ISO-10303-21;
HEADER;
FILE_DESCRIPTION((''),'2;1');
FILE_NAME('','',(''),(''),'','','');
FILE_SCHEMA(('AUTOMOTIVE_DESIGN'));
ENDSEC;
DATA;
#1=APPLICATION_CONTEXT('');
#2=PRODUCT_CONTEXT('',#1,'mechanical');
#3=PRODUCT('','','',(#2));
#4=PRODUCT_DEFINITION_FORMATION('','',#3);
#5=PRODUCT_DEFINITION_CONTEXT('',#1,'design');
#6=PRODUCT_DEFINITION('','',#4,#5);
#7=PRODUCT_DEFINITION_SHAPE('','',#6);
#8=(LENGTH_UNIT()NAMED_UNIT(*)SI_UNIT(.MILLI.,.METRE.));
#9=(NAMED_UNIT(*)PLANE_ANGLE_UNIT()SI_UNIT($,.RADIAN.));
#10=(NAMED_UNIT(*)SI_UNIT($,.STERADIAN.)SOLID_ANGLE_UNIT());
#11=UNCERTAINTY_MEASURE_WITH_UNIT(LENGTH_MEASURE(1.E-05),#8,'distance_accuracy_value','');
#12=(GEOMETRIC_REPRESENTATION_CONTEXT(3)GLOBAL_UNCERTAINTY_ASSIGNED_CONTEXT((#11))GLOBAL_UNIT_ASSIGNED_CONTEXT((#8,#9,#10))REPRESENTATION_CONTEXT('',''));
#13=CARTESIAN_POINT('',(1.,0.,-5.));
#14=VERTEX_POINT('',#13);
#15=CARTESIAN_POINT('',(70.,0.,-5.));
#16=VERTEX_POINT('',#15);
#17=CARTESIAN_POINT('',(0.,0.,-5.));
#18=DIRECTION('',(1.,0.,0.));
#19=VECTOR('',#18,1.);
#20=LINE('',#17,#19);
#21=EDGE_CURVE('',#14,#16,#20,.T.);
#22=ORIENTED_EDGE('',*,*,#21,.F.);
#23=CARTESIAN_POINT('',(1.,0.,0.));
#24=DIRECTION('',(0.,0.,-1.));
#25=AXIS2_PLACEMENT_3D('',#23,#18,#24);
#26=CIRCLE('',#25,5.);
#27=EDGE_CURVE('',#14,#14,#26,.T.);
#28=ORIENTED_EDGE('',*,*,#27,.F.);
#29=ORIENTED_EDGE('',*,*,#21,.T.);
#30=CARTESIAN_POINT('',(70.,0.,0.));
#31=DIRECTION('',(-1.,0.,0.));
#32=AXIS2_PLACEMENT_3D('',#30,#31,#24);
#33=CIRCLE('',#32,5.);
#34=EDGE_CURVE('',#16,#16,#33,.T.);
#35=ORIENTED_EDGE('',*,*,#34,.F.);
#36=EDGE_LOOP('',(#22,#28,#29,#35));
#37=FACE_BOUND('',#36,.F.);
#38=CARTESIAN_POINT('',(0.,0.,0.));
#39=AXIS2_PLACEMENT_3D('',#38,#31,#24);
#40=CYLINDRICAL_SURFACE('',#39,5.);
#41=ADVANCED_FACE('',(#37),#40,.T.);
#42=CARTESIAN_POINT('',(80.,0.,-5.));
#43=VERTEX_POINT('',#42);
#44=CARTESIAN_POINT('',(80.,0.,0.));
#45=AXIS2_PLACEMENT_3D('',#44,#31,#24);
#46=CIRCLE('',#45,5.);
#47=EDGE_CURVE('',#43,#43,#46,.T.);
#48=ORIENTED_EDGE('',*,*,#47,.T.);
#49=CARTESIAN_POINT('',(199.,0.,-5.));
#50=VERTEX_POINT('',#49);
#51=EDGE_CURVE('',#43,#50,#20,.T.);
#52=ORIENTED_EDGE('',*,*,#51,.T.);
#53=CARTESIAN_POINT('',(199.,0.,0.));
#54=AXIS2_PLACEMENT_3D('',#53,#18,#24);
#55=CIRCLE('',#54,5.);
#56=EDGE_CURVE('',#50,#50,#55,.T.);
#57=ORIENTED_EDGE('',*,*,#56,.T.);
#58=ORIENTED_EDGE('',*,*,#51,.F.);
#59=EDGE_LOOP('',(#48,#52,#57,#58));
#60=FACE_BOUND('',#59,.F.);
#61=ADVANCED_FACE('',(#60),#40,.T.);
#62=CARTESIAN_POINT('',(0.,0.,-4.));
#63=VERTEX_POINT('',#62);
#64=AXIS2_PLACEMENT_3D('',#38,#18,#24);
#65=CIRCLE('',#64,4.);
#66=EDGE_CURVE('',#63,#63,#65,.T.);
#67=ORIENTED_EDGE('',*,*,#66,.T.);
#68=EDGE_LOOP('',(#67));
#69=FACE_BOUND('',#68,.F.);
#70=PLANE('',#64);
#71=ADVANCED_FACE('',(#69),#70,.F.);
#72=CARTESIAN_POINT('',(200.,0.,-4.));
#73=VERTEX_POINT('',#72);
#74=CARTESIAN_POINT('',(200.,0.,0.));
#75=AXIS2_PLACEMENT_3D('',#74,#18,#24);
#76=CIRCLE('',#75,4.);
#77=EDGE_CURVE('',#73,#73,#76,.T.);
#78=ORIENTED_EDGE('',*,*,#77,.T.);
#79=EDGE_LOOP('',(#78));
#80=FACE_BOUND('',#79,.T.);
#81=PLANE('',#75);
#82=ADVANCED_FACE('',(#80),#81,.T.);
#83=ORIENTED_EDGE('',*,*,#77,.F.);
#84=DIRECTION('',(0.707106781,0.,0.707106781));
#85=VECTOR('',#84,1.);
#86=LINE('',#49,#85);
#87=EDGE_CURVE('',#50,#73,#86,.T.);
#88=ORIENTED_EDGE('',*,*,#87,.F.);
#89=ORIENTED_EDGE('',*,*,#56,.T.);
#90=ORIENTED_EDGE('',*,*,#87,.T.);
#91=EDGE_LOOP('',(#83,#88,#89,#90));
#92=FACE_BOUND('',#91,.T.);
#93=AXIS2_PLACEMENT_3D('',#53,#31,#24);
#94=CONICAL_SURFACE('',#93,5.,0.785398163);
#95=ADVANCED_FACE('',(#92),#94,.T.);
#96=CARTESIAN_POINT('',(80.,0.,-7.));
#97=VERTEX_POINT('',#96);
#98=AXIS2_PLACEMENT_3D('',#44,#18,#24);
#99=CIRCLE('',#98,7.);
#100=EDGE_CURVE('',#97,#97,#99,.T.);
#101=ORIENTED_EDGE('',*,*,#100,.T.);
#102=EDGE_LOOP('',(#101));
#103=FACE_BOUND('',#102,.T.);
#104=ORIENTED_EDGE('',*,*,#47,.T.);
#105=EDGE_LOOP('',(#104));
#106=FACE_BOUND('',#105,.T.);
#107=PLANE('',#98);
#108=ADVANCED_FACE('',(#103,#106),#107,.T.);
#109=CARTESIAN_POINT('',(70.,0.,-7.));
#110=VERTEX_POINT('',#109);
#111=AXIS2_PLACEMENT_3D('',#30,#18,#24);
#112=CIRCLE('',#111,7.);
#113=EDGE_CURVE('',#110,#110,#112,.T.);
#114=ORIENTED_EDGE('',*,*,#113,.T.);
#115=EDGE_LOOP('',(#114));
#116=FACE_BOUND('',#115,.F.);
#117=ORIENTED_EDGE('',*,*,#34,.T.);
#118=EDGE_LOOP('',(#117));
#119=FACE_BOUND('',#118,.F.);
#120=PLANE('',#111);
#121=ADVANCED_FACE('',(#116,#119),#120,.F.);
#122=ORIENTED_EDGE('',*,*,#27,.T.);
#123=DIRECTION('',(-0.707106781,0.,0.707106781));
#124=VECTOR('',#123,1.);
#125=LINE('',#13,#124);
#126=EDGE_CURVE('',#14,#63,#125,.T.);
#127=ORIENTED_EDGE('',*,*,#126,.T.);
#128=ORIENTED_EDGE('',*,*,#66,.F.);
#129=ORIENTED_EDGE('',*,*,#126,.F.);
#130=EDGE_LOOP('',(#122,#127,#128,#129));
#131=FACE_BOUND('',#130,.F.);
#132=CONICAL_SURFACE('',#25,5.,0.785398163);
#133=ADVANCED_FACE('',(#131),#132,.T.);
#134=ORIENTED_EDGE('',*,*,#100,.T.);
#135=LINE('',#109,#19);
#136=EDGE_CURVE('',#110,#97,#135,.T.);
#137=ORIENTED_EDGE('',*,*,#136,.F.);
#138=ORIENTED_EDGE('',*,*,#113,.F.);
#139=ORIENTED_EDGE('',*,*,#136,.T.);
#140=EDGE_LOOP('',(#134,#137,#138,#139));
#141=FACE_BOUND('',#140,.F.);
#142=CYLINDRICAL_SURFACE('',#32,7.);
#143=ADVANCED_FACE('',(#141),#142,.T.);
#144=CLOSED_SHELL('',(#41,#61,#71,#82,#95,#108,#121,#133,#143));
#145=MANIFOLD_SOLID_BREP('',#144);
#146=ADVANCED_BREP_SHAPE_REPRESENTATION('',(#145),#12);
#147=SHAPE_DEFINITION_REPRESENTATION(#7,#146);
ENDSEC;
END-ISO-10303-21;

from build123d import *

# Parameters (mm, degrees)
SKETCH1_R           = 5
BOSS_EXTRUDE1_DEPTH = 200
CHAMFER1_SIZE       = 1
BOSS_EXTRUDE3_START = 70
SKETCH2_R           = 7
BOSS_EXTRUDE3_DEPTH = 10


with BuildPart() as part:
    # Sketch1 → Boss-Extrude1 (new body)
    with BuildSketch(Plane(origin=(0, 0, 0), x_dir=(0, 0, -1), z_dir=(1, 0, 0))):
        Circle(SKETCH1_R)
    extrude(amount=BOSS_EXTRUDE1_DEPTH)

    # Chamfer1
    chamfer1_edges = [part.edges().sort_by_distance(p)[0] for p in [
        (0, 0, 5),
        (200, 0, 5),
    ]]
    chamfer(chamfer1_edges, length=CHAMFER1_SIZE)

    # Sketch2 → Boss-Extrude3 (add)
    with BuildSketch(Plane(origin=(0, 0, 0), x_dir=(0, 0, -1), z_dir=(1, 0, 0)).offset(BOSS_EXTRUDE3_START)):
        Circle(SKETCH2_R)
    extrude(amount=BOSS_EXTRUDE3_DEPTH)


solid = part.part
